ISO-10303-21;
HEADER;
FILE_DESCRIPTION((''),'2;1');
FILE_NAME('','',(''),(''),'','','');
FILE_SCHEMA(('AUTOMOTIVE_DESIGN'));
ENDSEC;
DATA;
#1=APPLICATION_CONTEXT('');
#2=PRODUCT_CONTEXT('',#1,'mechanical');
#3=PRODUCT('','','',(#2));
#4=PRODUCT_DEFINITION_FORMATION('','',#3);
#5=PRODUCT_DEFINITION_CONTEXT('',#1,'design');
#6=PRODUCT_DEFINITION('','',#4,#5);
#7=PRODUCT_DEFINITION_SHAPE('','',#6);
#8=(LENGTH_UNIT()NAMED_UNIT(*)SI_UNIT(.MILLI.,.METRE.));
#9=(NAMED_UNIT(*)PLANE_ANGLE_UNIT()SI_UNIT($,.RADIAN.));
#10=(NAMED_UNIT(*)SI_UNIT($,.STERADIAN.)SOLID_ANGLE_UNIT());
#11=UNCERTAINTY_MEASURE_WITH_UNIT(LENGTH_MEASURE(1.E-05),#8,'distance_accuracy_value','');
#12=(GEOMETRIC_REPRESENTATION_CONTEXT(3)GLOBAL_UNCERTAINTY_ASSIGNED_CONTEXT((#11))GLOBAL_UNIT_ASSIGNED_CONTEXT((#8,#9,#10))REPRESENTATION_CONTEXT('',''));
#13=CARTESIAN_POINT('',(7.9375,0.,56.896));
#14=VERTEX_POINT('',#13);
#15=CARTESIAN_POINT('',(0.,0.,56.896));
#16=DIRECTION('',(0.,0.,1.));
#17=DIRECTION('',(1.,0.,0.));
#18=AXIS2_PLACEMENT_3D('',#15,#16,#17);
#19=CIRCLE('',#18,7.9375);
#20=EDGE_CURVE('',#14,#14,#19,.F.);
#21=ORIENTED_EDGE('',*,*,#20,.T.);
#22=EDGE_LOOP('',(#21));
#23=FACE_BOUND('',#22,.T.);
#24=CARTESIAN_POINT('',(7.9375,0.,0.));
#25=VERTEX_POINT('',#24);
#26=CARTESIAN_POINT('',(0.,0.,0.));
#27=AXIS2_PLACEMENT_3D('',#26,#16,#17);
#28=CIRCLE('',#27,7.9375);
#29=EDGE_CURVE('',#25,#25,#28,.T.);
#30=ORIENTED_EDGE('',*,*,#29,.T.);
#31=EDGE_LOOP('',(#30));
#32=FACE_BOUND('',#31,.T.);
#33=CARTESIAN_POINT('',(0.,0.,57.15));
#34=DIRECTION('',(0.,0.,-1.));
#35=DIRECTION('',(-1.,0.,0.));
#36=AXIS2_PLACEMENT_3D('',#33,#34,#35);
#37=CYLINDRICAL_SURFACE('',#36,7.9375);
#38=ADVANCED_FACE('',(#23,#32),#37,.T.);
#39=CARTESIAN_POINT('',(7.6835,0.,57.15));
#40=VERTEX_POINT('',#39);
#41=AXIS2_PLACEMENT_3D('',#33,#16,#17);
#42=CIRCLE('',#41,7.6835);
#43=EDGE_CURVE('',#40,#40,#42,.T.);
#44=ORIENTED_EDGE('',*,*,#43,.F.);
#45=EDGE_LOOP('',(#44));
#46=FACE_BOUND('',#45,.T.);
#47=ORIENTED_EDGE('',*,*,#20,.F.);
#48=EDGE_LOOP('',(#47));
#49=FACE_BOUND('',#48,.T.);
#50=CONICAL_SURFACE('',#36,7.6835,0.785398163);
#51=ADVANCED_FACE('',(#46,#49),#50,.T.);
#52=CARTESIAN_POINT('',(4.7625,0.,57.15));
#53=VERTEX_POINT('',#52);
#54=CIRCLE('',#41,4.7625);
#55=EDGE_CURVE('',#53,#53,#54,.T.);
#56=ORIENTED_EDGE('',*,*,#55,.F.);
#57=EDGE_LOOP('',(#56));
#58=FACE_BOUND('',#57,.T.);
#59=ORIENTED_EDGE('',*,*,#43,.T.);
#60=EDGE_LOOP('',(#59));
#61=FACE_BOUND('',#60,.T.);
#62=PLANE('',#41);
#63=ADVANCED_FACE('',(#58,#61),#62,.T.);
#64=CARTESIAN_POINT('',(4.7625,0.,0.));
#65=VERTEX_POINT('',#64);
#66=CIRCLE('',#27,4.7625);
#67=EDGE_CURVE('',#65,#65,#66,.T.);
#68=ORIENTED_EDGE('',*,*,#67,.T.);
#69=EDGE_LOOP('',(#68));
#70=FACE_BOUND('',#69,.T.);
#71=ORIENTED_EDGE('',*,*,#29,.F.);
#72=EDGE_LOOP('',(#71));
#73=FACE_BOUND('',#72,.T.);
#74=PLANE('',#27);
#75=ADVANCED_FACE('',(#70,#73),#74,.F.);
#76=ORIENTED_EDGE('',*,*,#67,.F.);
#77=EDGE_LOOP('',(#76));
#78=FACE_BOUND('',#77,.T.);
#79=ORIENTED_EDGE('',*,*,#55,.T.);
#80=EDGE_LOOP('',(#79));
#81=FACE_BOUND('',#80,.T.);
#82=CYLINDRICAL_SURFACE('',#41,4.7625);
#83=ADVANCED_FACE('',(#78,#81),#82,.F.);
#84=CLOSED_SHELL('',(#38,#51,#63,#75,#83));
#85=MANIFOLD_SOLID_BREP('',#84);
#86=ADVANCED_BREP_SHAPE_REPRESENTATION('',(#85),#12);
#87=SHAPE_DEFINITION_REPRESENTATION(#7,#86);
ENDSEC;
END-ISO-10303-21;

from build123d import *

# Parameters (mm, degrees)
SKETCH1_R                   = 7.9375
BOSS_EXTRUDE1_DEPTH         = 57.15
CHAMFER1_SIZE               = 0.254
F_5_16_0_3125_DOWEL_HOLE1_D = 9.525


with BuildPart() as part:
    # Sketch1 → Boss-Extrude1 (new body)
    with BuildSketch(Plane.XY):
        Circle(SKETCH1_R)
    extrude(amount=BOSS_EXTRUDE1_DEPTH)

    # Chamfer1
    chamfer1_edges = [part.edges().sort_by_distance(p)[0] for p in [
        (-7.9375, 0, 57.15),
    ]]
    chamfer(chamfer1_edges, length=CHAMFER1_SIZE)

    # 5/16 (0.3125) Dowel Hole1 (through all)
    with Locations(Plane.XY.offset(57.15)):
        with Locations((0, 0)):
            Hole(F_5_16_0_3125_DOWEL_HOLE1_D / 2)


solid = part.part
